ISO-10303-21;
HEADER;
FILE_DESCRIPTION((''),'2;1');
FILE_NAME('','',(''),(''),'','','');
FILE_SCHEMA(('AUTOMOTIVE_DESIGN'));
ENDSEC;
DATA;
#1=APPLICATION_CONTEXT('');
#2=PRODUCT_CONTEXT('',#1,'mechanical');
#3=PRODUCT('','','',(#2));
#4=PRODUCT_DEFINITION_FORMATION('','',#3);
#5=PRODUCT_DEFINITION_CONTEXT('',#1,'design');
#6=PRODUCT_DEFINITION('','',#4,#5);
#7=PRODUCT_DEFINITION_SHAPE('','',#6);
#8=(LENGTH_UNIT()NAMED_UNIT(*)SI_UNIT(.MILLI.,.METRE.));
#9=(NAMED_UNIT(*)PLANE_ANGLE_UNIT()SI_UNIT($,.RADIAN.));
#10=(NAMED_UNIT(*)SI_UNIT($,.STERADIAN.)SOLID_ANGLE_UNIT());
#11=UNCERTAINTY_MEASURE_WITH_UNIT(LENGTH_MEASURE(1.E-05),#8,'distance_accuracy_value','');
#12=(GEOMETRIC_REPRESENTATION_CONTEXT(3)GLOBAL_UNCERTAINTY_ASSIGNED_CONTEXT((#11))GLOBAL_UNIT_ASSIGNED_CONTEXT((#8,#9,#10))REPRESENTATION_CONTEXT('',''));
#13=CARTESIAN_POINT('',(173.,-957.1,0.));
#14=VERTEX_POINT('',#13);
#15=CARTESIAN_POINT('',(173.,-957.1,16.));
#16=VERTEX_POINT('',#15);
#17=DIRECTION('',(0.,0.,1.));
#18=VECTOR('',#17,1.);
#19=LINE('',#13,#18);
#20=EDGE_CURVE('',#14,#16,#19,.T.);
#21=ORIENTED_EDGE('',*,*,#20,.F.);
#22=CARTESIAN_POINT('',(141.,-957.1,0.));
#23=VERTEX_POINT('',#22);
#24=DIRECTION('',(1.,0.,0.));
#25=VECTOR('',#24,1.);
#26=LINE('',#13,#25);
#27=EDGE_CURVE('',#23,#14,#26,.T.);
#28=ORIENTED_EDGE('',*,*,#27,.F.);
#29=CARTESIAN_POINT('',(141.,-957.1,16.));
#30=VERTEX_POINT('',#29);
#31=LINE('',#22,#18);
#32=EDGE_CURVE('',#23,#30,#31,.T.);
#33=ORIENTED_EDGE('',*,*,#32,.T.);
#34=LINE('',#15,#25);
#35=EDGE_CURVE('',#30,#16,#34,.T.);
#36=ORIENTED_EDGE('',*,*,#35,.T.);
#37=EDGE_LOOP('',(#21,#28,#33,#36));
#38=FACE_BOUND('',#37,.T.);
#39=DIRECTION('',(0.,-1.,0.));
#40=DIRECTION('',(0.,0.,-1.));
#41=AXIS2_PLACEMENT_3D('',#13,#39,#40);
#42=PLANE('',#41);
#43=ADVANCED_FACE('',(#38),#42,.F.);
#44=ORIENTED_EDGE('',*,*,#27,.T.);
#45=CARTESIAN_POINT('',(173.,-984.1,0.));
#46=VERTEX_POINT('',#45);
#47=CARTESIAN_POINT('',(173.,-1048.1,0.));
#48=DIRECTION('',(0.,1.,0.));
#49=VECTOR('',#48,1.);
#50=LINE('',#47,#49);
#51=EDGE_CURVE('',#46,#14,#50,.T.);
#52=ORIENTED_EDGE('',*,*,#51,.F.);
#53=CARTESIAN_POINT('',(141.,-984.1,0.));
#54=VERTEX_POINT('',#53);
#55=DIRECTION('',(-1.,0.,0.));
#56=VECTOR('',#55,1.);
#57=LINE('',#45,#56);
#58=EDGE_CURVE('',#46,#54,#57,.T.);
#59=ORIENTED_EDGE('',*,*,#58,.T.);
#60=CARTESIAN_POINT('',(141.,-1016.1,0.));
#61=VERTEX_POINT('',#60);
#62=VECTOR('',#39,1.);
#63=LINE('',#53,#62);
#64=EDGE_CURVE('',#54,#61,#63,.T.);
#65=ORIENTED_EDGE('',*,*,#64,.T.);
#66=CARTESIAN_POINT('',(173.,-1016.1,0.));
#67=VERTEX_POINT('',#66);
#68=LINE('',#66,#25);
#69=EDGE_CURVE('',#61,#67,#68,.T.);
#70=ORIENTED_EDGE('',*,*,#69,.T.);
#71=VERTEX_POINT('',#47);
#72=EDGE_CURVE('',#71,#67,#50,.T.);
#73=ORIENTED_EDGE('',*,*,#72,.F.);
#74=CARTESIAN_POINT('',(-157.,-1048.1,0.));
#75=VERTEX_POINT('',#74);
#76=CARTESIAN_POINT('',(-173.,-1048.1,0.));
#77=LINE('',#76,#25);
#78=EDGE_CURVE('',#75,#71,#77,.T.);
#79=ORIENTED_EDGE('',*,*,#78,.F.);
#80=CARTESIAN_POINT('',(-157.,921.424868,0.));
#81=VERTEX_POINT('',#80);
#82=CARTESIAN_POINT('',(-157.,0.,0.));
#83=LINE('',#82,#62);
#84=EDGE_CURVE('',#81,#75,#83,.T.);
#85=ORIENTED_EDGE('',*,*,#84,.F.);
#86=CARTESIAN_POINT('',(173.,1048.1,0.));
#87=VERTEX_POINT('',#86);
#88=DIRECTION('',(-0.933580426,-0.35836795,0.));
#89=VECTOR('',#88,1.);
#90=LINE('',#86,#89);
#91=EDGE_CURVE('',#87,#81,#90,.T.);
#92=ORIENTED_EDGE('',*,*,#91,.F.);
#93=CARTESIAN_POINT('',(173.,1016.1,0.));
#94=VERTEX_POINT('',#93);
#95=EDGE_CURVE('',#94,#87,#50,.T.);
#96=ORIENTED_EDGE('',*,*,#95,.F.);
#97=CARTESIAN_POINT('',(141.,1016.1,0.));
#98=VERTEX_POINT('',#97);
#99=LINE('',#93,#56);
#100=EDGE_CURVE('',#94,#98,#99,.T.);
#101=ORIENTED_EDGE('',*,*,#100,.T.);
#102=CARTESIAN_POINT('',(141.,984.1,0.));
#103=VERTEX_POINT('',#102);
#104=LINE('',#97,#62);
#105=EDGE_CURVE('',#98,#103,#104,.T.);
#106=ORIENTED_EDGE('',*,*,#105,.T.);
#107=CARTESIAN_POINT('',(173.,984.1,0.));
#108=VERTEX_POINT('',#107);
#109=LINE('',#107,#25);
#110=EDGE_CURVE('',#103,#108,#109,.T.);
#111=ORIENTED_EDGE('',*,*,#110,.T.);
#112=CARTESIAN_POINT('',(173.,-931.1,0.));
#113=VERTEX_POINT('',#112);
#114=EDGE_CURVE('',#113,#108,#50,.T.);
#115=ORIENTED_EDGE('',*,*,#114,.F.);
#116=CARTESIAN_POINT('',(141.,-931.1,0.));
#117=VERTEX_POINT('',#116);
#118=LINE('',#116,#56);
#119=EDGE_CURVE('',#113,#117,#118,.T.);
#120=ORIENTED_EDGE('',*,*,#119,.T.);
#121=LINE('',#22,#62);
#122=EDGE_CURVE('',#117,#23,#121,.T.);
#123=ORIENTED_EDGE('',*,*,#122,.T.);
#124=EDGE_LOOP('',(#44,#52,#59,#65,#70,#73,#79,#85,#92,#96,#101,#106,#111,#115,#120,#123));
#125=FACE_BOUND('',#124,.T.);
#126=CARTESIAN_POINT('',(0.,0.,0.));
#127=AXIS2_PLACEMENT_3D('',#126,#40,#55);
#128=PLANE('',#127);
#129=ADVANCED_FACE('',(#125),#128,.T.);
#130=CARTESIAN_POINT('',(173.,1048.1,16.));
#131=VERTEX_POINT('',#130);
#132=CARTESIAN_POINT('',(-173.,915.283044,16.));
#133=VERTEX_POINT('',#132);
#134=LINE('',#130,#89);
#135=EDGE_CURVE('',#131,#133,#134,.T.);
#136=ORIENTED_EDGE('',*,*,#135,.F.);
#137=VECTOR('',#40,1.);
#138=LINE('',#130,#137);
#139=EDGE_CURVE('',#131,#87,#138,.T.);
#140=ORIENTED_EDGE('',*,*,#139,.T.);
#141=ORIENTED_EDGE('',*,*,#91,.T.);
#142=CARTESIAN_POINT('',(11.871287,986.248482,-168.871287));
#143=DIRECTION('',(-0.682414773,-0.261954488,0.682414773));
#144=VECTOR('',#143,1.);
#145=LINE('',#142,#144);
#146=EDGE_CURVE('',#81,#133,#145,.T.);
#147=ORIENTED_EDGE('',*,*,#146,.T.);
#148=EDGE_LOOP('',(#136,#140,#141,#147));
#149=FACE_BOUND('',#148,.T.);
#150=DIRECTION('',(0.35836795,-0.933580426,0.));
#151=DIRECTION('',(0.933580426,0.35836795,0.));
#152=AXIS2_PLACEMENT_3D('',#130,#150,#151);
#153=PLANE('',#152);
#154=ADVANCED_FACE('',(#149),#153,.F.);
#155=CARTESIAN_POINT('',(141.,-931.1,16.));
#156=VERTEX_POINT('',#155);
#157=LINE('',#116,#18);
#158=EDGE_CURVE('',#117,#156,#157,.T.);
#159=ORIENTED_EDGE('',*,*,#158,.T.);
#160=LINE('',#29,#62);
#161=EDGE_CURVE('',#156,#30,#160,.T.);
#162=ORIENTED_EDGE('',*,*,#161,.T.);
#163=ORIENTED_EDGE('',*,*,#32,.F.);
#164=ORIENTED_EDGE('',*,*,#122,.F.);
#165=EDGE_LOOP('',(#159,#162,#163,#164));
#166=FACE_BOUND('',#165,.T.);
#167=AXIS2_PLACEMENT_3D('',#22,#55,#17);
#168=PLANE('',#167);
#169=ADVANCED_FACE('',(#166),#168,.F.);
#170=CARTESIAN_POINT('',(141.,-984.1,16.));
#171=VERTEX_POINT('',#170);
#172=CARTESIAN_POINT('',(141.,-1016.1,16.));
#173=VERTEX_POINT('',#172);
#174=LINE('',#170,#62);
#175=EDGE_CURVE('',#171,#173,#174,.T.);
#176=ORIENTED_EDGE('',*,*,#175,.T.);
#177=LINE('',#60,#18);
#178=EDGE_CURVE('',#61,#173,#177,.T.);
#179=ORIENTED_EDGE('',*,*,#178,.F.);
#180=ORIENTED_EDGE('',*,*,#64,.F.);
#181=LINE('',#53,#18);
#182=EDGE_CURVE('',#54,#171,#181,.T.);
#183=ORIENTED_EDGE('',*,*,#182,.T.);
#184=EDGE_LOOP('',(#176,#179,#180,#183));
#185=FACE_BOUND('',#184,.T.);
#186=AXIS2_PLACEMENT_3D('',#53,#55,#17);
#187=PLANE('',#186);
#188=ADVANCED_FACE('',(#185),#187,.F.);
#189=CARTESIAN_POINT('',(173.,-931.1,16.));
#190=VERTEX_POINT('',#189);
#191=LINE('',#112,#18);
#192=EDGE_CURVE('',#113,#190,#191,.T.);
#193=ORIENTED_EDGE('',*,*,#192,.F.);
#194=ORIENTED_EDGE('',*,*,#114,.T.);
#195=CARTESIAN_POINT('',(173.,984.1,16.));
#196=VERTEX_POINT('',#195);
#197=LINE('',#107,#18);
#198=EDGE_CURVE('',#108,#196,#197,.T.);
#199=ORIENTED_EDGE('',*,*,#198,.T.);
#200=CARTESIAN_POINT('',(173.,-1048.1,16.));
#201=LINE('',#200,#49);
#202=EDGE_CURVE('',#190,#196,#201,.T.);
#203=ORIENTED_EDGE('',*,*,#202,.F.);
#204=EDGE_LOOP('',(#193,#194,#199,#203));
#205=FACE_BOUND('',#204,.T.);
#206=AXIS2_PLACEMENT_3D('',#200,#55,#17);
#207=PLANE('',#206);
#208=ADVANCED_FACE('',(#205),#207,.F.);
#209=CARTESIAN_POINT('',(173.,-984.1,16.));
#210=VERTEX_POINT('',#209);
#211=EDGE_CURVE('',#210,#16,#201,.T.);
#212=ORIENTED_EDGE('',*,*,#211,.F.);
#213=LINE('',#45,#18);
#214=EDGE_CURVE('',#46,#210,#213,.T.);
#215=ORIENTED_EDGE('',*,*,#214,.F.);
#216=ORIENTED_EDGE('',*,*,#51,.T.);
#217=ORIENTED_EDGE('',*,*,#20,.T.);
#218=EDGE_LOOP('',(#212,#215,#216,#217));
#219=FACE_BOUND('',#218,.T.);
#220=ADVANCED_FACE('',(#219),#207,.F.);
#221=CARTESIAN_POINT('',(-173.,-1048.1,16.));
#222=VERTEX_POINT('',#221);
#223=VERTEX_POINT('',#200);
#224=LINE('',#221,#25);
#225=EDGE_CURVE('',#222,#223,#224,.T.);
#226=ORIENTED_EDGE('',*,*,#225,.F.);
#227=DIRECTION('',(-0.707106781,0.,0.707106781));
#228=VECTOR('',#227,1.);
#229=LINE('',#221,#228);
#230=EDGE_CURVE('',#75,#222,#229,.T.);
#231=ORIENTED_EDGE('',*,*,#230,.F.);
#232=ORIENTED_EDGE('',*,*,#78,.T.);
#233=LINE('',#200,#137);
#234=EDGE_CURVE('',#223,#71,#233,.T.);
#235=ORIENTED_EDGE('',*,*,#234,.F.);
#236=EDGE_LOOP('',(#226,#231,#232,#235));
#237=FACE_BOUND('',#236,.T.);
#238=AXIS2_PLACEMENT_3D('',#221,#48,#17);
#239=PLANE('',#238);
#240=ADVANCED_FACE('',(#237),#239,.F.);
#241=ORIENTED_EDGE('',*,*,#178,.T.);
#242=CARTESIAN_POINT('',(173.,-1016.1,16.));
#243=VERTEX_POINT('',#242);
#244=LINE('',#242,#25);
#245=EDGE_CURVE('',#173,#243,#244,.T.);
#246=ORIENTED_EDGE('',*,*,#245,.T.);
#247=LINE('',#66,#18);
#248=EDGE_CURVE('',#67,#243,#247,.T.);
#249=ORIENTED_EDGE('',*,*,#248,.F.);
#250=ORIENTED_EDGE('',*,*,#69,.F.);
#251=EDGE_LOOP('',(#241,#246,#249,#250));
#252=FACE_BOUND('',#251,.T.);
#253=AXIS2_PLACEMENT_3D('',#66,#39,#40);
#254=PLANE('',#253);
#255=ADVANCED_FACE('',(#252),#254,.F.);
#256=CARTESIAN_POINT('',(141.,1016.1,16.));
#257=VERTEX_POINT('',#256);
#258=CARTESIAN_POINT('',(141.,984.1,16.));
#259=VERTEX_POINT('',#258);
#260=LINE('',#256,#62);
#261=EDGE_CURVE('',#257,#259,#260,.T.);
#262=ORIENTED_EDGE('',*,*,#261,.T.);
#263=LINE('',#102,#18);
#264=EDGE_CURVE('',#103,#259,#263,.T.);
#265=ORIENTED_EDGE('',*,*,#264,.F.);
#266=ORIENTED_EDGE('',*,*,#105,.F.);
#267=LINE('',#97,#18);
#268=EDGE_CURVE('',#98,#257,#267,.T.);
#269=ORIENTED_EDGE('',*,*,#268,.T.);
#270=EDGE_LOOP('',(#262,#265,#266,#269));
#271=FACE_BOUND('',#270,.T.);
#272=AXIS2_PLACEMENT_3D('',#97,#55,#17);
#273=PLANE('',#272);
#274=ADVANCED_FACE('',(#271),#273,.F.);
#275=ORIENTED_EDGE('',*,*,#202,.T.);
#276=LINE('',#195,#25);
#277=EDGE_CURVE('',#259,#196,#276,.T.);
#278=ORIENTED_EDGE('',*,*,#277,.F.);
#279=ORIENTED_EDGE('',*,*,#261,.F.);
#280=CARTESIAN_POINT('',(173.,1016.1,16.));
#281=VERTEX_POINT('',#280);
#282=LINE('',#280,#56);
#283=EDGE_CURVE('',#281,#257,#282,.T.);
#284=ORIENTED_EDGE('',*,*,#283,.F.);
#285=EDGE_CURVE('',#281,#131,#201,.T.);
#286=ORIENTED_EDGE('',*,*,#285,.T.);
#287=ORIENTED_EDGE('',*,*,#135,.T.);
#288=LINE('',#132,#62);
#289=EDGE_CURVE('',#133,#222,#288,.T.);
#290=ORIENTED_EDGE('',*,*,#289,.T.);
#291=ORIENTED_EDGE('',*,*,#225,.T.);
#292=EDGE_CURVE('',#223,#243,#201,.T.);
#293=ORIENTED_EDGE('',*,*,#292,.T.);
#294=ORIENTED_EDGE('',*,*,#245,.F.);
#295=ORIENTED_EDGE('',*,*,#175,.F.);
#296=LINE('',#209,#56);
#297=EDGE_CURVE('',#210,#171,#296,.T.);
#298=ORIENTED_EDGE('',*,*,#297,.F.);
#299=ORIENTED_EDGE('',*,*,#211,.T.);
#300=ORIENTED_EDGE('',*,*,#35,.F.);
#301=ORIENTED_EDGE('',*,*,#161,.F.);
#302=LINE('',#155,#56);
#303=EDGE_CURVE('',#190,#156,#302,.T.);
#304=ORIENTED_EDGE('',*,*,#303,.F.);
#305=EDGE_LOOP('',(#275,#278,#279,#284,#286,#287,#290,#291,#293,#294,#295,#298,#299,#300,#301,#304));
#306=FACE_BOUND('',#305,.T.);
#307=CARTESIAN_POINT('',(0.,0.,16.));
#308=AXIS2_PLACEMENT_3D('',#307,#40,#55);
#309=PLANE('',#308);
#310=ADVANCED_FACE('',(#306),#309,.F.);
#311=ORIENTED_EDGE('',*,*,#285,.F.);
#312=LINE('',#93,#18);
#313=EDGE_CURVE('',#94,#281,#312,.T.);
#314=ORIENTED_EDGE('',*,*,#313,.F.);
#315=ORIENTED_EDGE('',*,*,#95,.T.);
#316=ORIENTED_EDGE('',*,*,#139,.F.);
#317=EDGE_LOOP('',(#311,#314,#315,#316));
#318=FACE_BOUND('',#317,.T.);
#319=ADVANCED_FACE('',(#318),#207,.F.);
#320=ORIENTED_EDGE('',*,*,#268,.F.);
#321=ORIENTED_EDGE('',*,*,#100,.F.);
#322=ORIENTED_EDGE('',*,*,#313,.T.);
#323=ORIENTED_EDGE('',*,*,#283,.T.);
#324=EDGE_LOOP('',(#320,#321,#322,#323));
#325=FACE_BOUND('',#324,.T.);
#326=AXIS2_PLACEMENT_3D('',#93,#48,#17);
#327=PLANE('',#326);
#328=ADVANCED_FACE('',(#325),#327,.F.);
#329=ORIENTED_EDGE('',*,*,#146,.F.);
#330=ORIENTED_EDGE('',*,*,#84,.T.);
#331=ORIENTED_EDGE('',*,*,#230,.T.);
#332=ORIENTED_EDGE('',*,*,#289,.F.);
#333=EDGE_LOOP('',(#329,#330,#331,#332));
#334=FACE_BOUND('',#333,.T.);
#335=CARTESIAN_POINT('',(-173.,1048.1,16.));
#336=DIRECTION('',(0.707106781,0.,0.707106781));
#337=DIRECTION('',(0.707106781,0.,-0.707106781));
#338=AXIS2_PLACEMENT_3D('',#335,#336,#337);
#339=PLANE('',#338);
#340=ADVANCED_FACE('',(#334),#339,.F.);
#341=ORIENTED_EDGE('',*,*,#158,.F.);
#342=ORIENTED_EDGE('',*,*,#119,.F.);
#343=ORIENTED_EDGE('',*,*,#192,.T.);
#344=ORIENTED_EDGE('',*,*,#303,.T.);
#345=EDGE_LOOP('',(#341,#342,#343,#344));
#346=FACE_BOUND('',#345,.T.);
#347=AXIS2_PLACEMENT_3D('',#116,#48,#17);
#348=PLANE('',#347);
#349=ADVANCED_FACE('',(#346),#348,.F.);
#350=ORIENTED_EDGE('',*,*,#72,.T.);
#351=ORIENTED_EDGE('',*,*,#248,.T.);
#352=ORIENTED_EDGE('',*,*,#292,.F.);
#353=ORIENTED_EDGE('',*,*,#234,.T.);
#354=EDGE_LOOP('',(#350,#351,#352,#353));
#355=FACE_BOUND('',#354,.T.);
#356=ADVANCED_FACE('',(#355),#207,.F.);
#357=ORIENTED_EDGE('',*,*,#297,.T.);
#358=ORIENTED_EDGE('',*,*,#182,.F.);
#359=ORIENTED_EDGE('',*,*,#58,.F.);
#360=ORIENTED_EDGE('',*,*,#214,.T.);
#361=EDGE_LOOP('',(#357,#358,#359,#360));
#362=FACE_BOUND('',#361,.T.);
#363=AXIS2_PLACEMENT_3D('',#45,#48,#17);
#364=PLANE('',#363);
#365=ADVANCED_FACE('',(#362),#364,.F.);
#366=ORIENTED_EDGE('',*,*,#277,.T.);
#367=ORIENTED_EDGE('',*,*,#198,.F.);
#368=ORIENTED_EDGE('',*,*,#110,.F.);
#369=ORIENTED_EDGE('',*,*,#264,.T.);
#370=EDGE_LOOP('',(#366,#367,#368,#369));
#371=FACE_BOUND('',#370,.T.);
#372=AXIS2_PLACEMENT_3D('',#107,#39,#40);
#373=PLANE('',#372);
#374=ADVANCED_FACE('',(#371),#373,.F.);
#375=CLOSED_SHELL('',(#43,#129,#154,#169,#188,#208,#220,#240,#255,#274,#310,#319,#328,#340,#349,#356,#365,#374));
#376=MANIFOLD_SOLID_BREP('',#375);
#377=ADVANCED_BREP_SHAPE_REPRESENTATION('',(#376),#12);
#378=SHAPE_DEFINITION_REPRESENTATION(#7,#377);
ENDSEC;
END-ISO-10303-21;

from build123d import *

# Parameters (mm, degrees)
BOSS_EXTRUDE1_DEPTH = 16
CUT_EXTRUDE2_DEPTH  = 2104.387610499
SKETCH6_W           = 32
SKETCH6_H           = 32
SKETCH6_H_2         = 26
CUT_EXTRUDE4_DEPTH  = 1063.402282565


with BuildPart() as part:
    # Sketch1 → Boss-Extrude1 (new body)
    with BuildSketch(Plane.XY):
        Polygon((173, 1048.1), (-173, 915.283043878), (-173, -1048.1), (173, -1048.1), align=None)
    extrude(amount=BOSS_EXTRUDE1_DEPTH)

    # Sketch3 → Cut-Extrude2 (cut, through all)
    with BuildSketch(Plane.XZ.offset(1048.1)):
        Polygon((-173, 16), (-157, 0), (-173, 0), align=None)
    extrude(amount=-CUT_EXTRUDE2_DEPTH, mode=Mode.SUBTRACT)

    # Sketch6 → Cut-Extrude4 (cut, through all)
    with BuildSketch(Plane.XY.offset(16)):
        with Locations((157, 1000.1)):
            Rectangle(SKETCH6_W, SKETCH6_H)
        with Locations((157, -1000.1)):
            Rectangle(SKETCH6_W, SKETCH6_H)
        with Locations((157, -944.1)):
            Rectangle(SKETCH6_W, SKETCH6_H_2)
    extrude(amount=-CUT_EXTRUDE4_DEPTH, mode=Mode.SUBTRACT)


solid = part.part
